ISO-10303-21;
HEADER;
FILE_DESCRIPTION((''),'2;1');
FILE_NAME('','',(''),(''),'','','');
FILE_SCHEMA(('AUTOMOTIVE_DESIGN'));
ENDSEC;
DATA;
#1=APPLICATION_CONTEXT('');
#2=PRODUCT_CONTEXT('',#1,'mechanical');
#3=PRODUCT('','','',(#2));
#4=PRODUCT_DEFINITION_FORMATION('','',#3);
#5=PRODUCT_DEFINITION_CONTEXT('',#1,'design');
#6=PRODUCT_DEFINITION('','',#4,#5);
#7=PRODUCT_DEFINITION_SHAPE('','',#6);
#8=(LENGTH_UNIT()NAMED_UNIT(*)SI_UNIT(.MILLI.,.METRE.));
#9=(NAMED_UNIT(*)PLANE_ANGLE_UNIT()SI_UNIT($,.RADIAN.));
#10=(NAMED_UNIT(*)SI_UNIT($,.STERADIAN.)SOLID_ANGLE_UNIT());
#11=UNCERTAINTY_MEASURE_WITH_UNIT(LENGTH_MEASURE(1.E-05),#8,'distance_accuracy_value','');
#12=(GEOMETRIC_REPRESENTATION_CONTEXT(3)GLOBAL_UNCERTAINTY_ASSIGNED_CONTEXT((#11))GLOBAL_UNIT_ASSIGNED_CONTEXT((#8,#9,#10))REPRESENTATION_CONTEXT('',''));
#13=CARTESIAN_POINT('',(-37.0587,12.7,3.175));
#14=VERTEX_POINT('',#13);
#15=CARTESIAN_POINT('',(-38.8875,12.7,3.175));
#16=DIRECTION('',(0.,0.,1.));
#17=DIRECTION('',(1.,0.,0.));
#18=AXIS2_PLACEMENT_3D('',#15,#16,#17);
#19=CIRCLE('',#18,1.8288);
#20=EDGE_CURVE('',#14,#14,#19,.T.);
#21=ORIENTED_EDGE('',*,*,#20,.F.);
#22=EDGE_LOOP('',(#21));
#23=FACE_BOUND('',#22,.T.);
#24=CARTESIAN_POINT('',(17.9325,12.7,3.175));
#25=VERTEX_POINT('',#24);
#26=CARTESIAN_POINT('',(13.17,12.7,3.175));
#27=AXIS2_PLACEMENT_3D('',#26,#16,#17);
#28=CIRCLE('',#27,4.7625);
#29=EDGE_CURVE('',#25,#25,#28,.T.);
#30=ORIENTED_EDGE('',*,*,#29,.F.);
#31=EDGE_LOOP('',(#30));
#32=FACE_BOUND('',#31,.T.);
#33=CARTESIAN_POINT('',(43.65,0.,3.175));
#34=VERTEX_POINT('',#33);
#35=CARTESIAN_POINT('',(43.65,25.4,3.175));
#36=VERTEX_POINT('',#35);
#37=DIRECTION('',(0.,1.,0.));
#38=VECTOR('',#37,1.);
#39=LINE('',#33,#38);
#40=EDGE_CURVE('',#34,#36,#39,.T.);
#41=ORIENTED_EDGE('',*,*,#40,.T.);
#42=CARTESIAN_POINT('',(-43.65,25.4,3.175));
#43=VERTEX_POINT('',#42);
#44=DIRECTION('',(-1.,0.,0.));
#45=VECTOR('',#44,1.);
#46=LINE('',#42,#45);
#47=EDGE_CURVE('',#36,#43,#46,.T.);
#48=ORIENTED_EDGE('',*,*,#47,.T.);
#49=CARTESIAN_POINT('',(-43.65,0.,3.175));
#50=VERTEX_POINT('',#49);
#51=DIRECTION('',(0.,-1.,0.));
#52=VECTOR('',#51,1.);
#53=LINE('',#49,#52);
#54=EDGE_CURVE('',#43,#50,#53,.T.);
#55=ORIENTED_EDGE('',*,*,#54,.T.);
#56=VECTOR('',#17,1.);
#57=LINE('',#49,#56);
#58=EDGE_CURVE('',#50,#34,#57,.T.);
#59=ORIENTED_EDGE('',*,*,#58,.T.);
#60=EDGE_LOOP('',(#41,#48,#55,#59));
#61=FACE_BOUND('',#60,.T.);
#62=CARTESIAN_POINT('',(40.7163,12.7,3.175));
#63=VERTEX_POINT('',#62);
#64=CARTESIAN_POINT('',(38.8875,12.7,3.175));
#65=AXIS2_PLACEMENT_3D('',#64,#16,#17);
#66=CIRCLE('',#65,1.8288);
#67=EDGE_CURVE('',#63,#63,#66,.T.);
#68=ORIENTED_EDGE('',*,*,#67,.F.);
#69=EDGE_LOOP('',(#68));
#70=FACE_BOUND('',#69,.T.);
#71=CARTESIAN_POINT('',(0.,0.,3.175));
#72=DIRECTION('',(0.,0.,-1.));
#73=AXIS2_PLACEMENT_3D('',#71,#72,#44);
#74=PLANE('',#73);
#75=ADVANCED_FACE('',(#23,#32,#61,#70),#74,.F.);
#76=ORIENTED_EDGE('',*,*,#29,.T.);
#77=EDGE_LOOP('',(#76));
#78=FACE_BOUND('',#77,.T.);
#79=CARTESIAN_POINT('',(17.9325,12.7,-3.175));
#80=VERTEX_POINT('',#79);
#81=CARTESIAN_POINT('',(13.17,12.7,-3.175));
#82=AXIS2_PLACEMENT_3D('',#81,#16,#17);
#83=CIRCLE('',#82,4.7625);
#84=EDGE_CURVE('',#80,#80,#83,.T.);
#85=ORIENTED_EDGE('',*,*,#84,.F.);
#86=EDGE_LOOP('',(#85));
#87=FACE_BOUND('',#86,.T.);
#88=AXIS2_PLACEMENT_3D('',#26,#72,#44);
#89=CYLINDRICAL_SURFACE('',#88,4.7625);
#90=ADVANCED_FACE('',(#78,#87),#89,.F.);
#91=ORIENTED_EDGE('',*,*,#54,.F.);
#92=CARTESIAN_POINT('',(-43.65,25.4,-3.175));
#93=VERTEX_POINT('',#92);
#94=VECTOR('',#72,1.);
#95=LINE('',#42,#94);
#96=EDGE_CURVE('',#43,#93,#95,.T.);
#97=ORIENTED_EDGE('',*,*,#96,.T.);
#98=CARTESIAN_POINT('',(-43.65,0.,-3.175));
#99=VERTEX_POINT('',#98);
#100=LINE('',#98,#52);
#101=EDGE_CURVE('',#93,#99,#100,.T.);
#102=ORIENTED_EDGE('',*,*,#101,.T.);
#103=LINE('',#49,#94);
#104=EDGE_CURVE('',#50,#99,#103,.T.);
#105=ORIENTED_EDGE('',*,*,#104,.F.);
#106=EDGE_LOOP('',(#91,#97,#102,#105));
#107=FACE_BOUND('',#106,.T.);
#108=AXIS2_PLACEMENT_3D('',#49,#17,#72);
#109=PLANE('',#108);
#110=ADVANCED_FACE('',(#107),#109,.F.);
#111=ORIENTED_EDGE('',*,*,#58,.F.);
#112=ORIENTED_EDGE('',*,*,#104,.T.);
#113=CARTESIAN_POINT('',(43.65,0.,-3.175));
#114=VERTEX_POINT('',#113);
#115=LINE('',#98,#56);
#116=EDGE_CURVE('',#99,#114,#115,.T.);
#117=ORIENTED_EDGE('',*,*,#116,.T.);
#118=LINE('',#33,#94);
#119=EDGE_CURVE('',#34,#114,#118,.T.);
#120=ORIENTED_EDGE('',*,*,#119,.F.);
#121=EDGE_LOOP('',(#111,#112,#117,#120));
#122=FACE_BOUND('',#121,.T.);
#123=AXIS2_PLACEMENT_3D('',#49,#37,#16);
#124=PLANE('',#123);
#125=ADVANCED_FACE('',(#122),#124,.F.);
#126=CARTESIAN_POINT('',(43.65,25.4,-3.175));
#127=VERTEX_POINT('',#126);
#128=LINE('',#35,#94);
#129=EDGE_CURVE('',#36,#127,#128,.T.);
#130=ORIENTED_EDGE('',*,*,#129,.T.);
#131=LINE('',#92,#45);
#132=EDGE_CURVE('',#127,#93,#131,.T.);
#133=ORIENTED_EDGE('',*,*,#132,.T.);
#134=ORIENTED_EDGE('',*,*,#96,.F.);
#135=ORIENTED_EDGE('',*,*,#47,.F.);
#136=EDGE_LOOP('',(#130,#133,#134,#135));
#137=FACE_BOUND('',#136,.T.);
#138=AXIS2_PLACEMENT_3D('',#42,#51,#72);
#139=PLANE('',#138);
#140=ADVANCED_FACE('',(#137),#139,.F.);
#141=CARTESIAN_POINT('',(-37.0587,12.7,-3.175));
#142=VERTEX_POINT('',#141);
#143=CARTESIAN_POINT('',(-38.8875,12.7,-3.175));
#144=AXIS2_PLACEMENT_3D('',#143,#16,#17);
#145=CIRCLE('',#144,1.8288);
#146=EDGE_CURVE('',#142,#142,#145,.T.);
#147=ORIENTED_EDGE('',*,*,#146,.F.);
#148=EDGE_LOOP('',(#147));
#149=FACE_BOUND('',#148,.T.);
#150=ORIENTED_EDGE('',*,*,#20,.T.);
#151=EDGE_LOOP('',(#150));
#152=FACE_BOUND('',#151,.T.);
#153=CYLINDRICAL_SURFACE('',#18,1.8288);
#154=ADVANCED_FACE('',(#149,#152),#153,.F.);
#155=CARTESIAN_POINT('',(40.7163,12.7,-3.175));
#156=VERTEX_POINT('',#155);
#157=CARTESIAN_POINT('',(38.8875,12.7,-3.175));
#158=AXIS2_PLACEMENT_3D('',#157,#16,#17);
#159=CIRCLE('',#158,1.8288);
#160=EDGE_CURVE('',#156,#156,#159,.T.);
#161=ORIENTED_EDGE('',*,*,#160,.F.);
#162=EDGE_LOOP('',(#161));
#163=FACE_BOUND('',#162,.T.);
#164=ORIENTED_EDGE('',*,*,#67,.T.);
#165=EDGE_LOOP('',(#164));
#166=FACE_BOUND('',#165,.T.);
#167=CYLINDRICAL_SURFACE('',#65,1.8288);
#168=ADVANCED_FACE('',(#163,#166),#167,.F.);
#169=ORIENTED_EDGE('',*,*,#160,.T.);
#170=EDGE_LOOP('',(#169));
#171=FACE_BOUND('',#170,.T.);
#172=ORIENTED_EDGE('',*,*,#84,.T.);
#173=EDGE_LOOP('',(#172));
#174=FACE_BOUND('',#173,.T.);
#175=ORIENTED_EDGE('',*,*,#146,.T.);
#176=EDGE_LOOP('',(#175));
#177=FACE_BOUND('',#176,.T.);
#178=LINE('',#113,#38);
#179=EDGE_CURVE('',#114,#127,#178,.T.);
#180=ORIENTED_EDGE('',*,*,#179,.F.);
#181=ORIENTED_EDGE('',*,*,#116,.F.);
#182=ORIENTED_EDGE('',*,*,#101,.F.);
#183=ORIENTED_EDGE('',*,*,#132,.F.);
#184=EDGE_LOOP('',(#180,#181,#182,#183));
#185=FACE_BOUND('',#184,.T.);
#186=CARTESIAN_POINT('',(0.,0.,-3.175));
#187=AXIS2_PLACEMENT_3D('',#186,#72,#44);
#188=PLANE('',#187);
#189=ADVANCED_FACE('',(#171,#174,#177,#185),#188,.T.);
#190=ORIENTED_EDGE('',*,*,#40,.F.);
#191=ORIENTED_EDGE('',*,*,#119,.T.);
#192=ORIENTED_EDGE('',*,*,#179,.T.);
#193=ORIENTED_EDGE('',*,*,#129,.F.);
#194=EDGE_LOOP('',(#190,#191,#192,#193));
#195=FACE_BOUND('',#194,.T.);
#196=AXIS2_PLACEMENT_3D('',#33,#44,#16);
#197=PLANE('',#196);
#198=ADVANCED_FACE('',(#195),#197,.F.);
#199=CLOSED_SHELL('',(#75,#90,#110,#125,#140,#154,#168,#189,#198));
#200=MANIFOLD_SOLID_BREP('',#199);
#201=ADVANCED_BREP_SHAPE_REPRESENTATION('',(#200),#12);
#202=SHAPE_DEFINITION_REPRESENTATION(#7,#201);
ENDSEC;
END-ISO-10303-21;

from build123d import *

# Parameters (mm, degrees)
SKETCH1_W             = 87.3
SKETCH1_H             = 25.4
SKETCH1_R             = 4.7625
BOSS_EXTRUDE1_DEPTH   = 3.175
F_6_CLEARANCE_HOLE1_D = 3.6576


with BuildPart() as part:
    # Sketch1 → Boss-Extrude1 (new, symmetric)
    with BuildSketch(Plane.XY):
        with Locations((0, 12.7)):
            Rectangle(SKETCH1_W, SKETCH1_H)
        with Locations((13.17, 12.7)):
            Circle(SKETCH1_R, mode=Mode.SUBTRACT)
    extrude(amount=BOSS_EXTRUDE1_DEPTH, both=True)

    # #6 Clearance Hole1 (through all)
    with Locations(Plane.XY.offset(3.175)):
        with Locations((-38.8875, 12.7), (38.8875, 12.7)):
            Hole(F_6_CLEARANCE_HOLE1_D / 2)


solid = part.part
